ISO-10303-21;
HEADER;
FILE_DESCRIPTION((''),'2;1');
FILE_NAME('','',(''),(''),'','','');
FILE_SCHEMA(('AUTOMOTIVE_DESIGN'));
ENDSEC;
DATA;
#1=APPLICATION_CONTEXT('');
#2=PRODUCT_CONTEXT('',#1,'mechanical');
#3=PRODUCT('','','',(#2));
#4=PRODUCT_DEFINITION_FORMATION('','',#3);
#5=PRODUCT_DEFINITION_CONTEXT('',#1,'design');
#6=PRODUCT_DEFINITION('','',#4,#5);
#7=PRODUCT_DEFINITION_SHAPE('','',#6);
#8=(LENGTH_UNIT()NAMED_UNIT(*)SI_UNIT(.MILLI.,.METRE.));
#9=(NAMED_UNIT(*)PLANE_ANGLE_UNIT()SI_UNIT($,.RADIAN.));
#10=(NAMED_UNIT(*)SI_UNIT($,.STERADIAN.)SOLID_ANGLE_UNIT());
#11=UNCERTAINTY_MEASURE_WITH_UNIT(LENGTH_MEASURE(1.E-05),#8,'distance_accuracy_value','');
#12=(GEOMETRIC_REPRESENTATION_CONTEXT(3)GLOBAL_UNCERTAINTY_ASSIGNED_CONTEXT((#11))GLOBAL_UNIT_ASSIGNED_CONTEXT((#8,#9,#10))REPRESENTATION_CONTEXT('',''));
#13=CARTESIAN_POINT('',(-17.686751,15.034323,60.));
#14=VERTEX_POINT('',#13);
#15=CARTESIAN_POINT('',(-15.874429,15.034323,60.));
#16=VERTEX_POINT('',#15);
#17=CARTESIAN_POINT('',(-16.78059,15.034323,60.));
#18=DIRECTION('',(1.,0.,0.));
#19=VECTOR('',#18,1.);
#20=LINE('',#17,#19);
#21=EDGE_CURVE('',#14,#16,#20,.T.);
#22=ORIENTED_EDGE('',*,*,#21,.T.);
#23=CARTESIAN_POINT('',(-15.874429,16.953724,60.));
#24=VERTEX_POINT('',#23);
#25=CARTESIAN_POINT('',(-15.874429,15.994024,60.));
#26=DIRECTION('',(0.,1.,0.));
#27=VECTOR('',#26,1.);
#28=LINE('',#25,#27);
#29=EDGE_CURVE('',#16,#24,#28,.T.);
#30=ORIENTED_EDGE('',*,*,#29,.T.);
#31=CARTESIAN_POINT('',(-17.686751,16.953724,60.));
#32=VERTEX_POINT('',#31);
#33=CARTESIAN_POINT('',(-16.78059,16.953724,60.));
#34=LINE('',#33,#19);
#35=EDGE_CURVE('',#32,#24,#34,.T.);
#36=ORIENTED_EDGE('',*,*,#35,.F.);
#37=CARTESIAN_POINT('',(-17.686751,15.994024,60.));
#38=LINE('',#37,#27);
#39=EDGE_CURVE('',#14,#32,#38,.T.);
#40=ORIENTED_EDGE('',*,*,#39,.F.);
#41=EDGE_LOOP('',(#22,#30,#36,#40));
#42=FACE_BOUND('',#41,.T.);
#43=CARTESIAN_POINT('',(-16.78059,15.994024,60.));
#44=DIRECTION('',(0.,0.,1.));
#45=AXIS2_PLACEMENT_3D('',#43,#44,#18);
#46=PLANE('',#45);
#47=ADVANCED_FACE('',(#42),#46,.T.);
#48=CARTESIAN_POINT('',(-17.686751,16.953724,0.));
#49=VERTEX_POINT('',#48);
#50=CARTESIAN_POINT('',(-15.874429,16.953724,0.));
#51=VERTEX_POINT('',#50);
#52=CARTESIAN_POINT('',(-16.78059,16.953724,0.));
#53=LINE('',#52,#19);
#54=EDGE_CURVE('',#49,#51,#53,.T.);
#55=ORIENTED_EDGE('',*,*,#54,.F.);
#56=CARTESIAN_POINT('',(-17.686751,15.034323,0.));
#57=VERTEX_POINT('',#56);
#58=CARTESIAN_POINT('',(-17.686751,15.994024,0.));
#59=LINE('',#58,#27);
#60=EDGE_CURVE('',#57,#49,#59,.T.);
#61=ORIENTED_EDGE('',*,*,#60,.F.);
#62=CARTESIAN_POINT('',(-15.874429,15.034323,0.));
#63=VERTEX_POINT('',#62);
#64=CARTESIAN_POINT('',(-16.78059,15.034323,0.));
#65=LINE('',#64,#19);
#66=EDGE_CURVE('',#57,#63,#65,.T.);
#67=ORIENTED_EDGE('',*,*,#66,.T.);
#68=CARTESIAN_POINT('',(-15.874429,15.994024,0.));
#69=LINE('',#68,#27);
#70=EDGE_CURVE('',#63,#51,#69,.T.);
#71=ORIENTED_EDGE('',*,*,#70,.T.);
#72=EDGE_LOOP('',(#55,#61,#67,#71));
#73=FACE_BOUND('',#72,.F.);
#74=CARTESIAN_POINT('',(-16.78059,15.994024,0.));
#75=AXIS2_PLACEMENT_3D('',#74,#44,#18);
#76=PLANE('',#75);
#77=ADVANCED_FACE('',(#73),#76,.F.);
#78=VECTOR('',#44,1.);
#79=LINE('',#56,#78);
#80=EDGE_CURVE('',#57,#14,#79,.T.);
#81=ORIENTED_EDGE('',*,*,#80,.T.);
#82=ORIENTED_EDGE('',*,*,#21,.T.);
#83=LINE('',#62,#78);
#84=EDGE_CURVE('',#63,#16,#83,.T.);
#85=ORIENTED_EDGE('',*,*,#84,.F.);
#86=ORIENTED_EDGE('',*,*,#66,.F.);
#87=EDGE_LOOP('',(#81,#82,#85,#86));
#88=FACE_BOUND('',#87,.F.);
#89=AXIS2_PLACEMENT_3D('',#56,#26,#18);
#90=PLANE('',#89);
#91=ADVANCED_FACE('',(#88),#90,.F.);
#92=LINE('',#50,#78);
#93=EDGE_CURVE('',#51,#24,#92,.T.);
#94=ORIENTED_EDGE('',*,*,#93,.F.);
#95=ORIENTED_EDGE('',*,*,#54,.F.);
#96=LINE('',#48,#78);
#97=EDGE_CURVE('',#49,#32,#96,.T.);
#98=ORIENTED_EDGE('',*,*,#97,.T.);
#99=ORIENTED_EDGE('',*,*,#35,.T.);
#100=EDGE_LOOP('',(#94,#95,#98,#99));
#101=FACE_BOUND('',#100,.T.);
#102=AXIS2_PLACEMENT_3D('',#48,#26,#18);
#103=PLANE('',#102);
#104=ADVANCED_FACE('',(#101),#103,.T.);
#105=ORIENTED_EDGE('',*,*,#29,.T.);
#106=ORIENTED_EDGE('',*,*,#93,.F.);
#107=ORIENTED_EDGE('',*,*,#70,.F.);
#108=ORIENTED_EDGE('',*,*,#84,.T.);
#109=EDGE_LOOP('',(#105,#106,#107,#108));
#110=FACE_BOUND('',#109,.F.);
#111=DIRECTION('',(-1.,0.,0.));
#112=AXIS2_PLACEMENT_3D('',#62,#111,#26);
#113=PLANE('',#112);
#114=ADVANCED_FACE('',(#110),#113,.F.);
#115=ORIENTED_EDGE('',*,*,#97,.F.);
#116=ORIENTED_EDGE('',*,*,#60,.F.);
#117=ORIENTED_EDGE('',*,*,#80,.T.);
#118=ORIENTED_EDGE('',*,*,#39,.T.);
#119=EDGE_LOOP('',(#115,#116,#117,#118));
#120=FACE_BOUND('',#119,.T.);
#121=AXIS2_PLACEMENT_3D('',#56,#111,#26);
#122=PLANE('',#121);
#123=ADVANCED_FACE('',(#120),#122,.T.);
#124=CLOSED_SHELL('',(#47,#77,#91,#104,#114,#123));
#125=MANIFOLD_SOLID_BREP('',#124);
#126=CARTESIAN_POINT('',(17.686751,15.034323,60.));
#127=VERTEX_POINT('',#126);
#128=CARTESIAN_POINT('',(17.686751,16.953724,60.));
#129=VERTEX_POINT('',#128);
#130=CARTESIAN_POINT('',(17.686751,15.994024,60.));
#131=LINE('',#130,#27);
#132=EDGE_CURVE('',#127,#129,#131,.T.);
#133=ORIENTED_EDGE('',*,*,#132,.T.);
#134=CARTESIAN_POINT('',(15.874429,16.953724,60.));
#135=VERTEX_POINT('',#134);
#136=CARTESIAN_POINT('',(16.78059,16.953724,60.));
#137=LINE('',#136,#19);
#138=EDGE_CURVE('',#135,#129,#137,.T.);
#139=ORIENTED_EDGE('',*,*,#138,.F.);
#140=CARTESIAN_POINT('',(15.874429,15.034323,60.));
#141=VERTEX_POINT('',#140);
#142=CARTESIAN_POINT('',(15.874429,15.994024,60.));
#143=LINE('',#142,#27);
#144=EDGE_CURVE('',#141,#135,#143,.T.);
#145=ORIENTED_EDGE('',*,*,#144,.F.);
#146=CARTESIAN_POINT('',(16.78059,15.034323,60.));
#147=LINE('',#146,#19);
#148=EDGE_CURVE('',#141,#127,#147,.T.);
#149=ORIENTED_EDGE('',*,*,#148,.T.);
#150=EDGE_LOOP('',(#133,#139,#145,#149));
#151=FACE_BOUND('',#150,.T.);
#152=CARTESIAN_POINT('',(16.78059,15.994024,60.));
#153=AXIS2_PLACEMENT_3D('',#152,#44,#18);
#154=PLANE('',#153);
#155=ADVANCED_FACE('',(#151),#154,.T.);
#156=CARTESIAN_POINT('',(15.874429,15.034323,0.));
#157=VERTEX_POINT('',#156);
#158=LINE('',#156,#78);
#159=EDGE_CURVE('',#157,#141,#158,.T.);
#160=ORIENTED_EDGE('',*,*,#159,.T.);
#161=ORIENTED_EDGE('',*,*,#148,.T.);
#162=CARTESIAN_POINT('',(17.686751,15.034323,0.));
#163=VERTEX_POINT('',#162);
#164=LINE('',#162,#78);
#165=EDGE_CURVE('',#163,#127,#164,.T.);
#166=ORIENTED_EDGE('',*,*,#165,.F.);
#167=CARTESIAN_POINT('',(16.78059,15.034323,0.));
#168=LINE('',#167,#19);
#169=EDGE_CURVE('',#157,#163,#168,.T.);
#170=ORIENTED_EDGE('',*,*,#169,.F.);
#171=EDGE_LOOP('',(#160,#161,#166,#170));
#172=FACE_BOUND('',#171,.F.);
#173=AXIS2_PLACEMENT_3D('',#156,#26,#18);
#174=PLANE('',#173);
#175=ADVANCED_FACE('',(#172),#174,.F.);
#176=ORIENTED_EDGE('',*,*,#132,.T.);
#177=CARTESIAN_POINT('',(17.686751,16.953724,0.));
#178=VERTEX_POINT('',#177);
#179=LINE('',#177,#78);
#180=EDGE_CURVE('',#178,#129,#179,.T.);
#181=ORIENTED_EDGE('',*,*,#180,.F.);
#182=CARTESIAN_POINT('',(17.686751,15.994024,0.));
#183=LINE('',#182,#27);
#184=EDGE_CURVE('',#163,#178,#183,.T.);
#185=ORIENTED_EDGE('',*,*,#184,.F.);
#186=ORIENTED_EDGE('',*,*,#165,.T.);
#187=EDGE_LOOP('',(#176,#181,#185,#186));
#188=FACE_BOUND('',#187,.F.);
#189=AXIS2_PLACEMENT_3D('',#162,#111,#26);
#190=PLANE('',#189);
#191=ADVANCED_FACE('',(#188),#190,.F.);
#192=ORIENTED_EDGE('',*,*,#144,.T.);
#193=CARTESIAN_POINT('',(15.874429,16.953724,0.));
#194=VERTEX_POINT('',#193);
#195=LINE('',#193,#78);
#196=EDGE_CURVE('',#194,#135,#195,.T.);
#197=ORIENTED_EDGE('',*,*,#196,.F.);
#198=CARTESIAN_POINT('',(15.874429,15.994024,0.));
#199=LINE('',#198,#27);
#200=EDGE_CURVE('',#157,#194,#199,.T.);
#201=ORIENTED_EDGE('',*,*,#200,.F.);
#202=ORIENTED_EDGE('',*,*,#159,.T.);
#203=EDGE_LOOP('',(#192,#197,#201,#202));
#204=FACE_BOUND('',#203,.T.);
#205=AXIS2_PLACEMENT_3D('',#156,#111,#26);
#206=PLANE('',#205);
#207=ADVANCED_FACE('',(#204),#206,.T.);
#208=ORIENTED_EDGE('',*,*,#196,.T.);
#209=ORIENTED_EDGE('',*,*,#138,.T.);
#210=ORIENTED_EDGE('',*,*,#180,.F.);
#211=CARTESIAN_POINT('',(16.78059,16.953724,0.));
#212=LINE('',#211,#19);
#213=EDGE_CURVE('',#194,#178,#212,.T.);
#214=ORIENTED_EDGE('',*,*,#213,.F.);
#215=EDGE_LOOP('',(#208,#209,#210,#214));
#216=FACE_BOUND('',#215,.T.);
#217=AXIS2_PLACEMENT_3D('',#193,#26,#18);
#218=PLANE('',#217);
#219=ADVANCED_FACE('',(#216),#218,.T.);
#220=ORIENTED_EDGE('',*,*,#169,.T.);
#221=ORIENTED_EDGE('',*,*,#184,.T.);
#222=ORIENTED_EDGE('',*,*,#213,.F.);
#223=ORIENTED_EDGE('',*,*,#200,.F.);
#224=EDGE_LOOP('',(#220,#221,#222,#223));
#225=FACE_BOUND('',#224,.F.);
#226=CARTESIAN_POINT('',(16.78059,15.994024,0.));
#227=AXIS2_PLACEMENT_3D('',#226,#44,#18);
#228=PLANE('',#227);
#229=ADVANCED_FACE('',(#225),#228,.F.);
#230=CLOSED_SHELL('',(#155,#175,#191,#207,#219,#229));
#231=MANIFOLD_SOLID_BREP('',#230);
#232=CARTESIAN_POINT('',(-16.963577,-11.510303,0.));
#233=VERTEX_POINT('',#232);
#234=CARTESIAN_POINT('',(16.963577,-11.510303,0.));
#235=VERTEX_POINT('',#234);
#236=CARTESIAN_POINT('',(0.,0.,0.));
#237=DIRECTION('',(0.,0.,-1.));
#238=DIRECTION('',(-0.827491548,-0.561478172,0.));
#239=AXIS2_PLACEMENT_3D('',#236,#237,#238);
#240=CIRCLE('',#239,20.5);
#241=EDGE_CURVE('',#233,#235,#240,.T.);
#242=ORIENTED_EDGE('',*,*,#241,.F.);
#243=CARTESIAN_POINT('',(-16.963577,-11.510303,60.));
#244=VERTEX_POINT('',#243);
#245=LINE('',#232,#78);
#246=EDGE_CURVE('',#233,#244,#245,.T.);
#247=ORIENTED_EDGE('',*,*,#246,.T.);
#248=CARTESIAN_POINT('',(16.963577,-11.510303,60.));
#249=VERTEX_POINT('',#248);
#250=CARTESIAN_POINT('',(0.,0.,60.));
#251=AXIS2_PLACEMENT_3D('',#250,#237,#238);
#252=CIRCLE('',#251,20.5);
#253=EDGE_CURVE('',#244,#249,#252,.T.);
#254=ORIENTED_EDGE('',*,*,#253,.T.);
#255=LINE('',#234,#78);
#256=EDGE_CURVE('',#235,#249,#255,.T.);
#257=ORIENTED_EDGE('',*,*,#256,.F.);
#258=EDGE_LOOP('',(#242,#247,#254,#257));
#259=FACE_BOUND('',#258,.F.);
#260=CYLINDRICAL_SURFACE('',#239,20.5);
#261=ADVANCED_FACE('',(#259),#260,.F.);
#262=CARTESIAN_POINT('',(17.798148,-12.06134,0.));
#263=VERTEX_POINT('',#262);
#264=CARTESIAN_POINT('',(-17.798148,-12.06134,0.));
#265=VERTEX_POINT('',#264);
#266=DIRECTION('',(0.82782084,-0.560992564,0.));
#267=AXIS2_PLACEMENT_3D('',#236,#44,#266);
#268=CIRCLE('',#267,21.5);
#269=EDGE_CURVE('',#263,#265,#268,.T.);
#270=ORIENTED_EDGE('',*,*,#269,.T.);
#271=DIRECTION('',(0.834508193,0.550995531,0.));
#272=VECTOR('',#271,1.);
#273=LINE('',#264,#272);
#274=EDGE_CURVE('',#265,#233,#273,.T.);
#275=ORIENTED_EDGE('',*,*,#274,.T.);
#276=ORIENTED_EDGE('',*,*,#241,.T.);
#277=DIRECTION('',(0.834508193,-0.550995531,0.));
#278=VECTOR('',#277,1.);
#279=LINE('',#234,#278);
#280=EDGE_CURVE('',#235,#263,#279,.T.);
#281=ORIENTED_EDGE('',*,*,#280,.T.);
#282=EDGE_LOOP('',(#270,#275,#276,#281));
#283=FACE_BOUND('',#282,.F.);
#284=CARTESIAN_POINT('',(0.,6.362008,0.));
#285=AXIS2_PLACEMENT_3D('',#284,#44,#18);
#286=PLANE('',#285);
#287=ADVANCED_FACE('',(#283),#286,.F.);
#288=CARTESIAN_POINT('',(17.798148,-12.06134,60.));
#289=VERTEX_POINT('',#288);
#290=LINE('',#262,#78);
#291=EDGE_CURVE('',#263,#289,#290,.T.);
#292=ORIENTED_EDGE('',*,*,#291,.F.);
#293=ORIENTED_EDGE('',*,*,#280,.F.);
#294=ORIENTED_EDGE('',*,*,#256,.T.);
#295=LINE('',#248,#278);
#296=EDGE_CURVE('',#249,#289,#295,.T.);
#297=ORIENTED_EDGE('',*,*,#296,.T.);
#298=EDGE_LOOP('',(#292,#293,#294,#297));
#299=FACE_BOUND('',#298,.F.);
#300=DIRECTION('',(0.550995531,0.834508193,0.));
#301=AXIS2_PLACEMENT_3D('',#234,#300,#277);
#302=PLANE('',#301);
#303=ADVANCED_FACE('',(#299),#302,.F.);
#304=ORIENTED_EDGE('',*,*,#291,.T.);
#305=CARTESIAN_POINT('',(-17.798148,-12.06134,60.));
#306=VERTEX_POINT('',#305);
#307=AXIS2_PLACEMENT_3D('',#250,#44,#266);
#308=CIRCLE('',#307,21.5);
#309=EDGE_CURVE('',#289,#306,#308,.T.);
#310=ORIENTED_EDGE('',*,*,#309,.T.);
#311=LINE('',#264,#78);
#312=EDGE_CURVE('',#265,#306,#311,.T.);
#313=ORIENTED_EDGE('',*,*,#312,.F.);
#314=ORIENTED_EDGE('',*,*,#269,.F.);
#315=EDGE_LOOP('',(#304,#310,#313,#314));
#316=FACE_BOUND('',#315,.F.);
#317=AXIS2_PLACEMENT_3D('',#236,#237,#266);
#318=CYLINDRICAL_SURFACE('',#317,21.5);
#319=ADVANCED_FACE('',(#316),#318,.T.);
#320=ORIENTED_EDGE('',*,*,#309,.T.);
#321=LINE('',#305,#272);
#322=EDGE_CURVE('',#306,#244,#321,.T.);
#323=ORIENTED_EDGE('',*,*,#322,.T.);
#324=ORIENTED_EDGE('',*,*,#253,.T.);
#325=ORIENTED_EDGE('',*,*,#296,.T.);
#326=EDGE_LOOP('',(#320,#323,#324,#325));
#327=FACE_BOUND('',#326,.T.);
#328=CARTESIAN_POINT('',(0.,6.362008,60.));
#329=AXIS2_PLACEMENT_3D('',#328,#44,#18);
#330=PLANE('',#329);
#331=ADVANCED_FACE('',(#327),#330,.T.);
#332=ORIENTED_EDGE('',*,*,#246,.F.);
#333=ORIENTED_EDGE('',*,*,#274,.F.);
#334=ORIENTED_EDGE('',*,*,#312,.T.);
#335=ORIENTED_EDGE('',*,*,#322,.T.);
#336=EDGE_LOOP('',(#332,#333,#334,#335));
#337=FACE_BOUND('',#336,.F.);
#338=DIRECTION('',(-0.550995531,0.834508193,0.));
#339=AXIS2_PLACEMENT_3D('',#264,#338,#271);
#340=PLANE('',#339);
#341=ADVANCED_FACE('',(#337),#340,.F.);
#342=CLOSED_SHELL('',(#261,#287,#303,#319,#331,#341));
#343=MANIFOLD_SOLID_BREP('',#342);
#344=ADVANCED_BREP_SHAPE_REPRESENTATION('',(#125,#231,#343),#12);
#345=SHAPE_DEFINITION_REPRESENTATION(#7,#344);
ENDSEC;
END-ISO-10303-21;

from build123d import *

# Parameters (mm, degrees)
F1_DEPTH = 60
F0_W     = 1.812323
F0_H     = 1.919401
F2_DEPTH = 60
F3_DEPTH = 60


with BuildPart() as f1:
    # F0 (on Top) → F1 (new body)
    with BuildSketch(Plane.XY):
        with BuildLine():
            ThreePointArc((-16.963577, -11.510303), (0, 20.5), (16.963577, -11.510303))
            Line((16.963577, -11.510303), (17.798148, -12.06134))
            ThreePointArc((17.798148, -12.06134), (0, 21.5), (-17.798148, -12.06134))
            Line((-17.798148, -12.06134), (-16.963577, -11.510303))
        make_face()
    extrude(amount=F1_DEPTH)


with BuildPart() as f2:
    # F0 (on Top) → F2 (new body)
    with BuildSketch(Plane.XY):
        with Locations((-16.78059, 15.994024)):
            Rectangle(F0_W, F0_H)
    extrude(amount=F2_DEPTH)


with BuildPart() as f3:
    # F0 (on Top) → F3 (new body)
    with BuildSketch(Plane.XY):
        with Locations((16.78059, 15.994024)):
            Rectangle(F0_W, F0_H)
    extrude(amount=F3_DEPTH)


solid = Compound([f1.part, f2.part, f3.part])
